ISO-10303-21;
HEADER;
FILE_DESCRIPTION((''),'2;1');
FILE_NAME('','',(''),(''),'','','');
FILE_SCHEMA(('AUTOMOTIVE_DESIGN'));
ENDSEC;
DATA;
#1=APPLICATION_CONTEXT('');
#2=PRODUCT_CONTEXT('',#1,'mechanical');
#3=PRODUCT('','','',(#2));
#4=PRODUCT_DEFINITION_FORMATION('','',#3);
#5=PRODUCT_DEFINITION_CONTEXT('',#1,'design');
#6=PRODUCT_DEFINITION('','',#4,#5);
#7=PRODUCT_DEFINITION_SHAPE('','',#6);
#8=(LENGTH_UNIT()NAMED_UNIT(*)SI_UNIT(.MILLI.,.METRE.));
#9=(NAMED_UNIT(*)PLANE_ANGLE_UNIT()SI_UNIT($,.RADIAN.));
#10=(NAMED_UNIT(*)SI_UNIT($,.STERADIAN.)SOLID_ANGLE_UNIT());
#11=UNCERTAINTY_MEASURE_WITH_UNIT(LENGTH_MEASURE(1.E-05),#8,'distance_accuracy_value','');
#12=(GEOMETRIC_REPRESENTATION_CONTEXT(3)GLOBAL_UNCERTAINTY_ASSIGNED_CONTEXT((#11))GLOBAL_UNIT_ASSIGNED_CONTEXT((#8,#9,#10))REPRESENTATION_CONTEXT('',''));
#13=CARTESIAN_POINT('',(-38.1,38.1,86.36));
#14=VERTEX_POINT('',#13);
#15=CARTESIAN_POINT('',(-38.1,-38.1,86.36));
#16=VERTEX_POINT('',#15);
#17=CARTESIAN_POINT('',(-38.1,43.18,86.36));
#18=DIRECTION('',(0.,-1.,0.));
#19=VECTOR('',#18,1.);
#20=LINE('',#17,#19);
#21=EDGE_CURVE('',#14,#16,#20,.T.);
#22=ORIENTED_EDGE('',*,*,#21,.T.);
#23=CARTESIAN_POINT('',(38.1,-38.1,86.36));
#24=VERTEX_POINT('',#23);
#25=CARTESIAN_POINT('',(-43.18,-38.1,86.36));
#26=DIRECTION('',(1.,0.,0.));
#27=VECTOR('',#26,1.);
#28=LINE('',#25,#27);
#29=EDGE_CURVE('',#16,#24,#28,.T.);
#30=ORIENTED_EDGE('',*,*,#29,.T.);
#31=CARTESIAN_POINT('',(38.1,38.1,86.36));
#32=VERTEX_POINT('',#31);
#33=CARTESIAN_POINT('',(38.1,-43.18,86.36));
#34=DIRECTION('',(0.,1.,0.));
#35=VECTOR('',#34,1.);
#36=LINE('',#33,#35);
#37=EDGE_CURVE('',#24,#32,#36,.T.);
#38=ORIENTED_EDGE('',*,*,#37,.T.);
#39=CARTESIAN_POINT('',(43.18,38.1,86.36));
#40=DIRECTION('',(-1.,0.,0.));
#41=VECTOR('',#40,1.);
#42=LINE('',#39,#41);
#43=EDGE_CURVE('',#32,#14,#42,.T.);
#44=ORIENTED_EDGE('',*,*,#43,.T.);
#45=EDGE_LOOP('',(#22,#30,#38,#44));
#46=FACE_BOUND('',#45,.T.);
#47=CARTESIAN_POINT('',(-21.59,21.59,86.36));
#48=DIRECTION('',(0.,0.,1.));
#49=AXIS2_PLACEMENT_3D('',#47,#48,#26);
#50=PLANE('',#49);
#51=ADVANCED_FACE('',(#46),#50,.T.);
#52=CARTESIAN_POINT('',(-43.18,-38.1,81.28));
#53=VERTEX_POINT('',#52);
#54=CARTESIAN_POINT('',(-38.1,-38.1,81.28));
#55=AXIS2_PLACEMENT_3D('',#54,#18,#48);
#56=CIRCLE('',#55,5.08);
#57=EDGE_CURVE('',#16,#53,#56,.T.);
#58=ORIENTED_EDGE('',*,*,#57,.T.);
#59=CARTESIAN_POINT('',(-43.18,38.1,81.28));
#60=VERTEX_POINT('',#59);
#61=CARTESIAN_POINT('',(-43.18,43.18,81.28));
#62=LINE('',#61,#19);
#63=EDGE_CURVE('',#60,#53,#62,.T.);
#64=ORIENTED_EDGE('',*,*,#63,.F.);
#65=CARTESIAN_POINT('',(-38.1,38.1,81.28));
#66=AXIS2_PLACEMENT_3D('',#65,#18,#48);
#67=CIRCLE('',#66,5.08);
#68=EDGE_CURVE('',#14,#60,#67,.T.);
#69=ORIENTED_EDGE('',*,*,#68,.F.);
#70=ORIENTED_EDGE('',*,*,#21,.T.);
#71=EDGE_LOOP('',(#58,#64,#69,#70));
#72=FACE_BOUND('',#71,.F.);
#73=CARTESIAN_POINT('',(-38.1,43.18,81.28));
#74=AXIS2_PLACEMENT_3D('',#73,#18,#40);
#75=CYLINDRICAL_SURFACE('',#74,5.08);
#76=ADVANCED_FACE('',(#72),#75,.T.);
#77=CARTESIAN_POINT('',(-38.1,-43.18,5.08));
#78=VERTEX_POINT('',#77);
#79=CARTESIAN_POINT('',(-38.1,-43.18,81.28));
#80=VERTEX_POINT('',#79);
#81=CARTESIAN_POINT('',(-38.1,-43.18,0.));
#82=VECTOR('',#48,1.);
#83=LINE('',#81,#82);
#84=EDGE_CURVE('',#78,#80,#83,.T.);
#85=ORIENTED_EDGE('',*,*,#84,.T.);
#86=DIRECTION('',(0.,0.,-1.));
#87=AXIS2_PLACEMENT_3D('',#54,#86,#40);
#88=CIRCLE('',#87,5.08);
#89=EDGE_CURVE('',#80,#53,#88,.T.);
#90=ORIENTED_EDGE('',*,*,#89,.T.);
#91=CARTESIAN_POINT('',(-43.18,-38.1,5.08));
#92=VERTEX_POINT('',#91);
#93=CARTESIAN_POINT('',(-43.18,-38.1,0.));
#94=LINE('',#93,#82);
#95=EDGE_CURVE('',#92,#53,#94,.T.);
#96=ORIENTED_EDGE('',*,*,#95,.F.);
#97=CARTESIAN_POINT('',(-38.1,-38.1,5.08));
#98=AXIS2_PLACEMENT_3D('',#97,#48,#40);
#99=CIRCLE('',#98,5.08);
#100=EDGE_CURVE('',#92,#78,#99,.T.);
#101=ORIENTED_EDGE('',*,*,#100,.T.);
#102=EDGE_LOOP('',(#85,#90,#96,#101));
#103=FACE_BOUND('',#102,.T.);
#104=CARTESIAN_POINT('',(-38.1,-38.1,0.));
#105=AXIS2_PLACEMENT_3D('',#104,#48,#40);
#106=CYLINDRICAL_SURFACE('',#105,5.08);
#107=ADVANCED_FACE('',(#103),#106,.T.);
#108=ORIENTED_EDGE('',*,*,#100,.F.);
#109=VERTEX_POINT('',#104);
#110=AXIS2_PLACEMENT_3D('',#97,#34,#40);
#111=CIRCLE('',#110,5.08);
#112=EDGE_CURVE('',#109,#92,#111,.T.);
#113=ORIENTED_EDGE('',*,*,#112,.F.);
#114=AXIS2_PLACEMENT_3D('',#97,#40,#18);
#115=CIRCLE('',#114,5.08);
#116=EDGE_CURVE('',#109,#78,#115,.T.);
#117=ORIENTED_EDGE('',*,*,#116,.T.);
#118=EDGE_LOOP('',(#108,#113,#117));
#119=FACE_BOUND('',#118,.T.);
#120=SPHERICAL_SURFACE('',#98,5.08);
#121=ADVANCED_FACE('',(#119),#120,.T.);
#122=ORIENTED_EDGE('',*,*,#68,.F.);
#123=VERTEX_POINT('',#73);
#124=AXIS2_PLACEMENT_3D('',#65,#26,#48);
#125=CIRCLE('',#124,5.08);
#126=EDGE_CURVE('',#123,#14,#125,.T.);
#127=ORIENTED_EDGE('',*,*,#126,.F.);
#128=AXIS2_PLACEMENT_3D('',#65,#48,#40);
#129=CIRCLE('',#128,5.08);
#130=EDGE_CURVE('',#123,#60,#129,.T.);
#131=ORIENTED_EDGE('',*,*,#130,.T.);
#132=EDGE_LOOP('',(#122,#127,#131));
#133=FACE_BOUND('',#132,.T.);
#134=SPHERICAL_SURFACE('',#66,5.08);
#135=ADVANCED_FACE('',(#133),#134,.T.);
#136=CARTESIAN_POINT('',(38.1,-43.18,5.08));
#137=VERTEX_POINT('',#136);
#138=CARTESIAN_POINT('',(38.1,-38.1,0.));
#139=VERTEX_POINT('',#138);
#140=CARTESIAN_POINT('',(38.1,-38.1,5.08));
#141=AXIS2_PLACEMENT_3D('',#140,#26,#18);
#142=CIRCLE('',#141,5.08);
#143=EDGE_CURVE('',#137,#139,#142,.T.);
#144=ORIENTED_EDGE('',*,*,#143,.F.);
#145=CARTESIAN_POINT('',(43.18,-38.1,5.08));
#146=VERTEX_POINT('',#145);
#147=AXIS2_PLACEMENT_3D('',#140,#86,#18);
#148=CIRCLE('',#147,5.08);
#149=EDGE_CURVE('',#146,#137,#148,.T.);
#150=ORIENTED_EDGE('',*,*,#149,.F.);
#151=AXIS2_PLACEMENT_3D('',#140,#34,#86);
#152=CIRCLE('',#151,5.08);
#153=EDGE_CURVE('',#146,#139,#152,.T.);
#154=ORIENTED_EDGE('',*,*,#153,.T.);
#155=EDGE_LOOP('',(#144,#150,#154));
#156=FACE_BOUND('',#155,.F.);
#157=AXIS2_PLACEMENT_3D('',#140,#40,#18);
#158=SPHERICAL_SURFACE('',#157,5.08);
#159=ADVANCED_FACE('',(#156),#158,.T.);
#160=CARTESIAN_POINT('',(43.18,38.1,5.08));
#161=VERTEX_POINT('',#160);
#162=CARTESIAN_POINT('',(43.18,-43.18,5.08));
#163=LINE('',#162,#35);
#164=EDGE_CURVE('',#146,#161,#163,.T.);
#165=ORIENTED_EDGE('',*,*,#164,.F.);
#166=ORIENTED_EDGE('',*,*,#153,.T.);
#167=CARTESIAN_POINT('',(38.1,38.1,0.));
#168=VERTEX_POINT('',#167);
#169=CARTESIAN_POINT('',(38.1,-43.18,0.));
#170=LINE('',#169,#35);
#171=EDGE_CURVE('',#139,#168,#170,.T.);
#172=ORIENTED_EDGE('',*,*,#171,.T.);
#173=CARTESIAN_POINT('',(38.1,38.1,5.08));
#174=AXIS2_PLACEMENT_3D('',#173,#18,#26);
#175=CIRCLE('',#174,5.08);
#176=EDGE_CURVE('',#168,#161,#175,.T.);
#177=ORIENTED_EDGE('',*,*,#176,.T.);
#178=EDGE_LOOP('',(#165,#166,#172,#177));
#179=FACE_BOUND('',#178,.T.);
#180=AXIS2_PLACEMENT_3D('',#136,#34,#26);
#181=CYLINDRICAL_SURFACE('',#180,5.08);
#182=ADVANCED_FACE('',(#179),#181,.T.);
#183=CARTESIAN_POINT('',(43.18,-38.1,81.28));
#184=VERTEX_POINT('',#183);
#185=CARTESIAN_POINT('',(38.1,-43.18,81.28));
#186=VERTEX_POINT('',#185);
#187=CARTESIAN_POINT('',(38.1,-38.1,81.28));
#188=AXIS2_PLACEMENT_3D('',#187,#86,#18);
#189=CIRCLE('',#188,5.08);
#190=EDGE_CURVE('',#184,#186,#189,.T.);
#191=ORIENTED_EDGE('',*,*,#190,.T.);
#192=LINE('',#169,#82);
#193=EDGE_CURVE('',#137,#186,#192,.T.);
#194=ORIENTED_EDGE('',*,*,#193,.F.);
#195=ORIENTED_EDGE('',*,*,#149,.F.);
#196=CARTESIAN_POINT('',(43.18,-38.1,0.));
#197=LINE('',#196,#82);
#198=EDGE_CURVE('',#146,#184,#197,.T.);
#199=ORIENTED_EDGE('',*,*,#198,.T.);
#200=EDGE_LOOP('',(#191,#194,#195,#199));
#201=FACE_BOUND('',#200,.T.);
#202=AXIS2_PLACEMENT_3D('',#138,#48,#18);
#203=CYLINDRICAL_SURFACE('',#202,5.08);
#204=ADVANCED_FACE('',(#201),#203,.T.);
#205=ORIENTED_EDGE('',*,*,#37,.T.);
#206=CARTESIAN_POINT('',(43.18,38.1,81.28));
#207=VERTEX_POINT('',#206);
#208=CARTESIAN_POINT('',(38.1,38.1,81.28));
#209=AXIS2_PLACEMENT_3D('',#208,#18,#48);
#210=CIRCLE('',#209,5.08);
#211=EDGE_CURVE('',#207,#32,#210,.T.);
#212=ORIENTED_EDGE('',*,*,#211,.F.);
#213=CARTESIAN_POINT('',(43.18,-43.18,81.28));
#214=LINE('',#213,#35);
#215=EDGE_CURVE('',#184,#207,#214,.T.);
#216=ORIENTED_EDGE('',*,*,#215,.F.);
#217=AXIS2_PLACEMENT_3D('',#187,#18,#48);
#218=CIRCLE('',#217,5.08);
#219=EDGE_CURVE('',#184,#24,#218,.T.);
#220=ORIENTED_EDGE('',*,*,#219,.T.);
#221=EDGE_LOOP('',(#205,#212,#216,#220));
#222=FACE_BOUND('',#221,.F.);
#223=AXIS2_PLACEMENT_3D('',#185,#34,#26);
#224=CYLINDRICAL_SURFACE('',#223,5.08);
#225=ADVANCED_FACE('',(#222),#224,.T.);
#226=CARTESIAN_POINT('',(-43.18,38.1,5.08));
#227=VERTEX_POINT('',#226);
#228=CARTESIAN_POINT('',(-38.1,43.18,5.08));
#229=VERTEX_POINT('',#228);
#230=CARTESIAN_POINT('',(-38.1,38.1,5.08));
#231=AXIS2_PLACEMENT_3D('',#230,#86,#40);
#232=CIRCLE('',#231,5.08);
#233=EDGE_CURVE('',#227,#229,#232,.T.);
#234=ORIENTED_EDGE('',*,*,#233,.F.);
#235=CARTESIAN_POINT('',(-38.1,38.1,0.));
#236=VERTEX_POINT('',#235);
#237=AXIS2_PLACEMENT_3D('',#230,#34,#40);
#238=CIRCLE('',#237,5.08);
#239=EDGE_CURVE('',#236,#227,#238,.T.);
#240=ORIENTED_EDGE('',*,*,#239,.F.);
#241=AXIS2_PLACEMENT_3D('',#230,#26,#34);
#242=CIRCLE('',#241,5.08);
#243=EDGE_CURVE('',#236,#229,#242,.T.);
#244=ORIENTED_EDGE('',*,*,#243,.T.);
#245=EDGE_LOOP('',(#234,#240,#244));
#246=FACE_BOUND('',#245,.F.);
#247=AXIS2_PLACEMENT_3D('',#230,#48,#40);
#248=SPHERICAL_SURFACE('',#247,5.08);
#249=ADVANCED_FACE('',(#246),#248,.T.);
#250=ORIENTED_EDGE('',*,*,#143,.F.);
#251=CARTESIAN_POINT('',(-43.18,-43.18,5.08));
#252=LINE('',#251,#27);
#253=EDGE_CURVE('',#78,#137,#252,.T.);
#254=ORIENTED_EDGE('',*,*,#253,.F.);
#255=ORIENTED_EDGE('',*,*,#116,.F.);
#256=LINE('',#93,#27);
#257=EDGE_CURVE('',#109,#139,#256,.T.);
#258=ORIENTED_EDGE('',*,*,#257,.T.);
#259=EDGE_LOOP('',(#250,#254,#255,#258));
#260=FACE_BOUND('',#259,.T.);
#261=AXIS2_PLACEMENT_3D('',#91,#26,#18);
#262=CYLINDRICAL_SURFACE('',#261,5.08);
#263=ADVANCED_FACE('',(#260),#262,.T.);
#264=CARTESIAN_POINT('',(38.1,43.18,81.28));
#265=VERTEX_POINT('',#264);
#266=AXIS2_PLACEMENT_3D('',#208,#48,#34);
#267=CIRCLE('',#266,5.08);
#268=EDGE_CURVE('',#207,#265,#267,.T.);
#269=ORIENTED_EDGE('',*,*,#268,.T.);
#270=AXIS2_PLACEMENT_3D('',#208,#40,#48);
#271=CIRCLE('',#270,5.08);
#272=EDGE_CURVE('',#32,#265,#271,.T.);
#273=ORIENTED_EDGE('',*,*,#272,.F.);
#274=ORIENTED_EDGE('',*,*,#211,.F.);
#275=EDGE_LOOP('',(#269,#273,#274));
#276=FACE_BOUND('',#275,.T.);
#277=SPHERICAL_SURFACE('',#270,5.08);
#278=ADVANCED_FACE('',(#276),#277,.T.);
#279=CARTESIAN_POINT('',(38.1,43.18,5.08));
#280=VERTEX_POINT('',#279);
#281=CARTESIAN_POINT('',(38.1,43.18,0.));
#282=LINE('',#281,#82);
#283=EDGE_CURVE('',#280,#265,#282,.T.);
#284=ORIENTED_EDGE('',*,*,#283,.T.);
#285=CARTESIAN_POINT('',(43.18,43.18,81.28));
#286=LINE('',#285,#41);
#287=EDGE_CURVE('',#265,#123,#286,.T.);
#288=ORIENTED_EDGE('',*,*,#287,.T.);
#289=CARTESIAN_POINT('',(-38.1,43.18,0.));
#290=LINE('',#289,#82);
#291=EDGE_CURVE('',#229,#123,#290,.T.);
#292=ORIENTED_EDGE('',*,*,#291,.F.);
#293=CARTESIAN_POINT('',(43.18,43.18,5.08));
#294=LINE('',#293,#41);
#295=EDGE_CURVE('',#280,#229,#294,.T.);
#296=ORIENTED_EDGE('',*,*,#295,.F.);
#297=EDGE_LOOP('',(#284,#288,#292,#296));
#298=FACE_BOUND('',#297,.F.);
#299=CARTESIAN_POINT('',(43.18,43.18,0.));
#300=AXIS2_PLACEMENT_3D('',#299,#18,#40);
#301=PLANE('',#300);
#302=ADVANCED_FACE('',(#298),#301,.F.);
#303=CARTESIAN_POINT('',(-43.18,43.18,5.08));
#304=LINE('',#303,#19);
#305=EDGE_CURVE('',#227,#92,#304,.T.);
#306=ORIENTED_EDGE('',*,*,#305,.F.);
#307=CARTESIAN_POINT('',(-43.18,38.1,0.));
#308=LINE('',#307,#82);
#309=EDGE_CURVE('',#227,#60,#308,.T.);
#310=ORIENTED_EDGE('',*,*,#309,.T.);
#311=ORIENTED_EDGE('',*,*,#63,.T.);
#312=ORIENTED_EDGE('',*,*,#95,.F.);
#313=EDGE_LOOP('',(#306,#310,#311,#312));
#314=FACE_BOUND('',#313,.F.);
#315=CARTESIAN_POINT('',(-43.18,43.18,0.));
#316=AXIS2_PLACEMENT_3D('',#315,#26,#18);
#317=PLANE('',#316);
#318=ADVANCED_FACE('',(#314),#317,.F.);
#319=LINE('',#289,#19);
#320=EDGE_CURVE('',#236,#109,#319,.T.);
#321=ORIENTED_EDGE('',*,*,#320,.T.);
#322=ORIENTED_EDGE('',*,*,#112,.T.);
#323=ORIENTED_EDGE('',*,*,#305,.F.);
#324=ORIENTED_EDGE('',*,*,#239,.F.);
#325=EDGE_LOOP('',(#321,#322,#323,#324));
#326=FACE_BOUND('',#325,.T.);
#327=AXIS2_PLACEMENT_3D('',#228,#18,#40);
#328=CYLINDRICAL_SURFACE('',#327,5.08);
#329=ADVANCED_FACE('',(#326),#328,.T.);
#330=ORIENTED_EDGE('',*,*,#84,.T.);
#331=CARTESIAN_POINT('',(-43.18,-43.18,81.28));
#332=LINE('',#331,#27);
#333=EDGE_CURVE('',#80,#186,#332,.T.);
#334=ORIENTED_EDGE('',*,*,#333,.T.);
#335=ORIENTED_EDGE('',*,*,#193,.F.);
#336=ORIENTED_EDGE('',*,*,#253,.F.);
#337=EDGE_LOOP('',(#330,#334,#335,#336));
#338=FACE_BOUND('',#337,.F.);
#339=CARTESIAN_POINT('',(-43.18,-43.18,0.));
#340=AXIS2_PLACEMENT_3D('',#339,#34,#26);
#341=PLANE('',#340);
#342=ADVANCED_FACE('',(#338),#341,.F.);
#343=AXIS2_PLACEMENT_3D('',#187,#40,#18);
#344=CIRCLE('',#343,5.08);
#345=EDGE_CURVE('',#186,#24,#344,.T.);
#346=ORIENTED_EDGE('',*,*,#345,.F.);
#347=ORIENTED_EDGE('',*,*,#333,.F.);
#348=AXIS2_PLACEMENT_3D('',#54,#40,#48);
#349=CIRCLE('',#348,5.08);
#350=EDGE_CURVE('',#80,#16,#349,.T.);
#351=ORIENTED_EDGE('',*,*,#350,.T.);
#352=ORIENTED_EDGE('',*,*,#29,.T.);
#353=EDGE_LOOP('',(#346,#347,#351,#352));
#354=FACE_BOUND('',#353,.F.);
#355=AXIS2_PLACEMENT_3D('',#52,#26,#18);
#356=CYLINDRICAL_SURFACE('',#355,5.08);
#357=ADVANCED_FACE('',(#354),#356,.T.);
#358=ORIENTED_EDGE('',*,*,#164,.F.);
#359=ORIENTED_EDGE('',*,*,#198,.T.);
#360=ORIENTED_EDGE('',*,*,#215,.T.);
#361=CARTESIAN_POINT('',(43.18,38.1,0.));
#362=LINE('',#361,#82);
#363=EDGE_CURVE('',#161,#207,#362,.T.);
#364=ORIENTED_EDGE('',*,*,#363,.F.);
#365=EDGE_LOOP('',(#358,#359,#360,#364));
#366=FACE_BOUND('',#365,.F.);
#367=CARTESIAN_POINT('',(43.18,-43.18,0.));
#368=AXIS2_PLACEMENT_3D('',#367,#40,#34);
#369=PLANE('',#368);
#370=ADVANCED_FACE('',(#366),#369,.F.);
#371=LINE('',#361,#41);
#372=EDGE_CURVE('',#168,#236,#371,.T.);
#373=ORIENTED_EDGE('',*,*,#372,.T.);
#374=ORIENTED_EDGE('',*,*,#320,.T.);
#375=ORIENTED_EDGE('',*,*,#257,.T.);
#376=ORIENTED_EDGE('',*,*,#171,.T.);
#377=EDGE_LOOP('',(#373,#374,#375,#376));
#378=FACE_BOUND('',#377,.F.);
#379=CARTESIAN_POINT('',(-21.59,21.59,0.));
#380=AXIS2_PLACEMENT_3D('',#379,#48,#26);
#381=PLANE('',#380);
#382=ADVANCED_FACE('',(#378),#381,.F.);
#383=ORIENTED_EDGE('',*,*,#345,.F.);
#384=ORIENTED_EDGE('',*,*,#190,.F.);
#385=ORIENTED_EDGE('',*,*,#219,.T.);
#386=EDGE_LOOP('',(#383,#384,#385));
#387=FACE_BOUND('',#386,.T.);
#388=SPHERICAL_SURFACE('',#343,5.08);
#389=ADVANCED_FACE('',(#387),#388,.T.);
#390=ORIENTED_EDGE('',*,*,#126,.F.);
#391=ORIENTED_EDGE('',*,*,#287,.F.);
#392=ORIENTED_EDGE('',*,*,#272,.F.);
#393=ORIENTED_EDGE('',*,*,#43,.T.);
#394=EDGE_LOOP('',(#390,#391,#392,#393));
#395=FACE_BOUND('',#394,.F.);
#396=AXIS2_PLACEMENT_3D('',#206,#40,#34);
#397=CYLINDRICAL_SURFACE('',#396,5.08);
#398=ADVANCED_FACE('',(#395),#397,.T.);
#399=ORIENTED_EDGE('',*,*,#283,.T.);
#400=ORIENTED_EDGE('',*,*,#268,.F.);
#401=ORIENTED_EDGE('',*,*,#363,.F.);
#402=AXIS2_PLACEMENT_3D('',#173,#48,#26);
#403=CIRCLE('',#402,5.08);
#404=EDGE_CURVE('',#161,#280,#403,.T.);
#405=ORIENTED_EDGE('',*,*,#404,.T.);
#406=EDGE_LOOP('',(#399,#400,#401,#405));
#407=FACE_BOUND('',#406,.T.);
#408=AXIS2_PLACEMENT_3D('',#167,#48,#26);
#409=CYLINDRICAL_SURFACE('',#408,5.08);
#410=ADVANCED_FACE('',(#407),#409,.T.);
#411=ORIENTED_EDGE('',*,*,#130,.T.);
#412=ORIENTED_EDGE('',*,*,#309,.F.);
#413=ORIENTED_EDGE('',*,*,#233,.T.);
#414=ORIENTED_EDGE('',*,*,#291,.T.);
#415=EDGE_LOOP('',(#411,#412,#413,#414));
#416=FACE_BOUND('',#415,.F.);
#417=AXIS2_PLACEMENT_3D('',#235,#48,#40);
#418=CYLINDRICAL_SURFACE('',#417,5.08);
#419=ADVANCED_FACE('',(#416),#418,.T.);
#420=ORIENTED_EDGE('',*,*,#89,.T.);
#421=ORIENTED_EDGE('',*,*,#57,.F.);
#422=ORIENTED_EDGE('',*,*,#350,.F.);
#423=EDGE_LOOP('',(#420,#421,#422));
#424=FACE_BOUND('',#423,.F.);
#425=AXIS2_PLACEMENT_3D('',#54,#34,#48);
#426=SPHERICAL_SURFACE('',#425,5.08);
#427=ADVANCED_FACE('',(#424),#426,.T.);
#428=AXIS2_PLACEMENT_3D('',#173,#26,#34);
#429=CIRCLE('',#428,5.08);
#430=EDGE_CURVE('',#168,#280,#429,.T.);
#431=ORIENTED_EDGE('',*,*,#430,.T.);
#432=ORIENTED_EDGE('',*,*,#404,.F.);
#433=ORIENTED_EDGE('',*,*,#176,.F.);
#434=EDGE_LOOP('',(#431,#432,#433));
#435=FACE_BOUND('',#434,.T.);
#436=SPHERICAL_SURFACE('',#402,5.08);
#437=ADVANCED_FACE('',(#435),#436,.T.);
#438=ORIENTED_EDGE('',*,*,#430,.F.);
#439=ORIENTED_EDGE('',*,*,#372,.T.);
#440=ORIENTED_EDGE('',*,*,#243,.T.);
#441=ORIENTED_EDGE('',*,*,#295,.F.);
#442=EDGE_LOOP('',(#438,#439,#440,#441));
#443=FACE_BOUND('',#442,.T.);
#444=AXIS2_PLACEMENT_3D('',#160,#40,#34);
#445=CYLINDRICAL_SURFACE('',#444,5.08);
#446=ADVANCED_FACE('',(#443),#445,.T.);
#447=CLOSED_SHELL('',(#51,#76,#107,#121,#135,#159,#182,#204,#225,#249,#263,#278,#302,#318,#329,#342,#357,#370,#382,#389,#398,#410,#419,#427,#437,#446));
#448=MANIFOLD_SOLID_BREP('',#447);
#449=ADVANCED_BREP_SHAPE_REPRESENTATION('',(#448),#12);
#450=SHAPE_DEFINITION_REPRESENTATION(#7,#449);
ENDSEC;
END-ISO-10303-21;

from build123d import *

# Parameters (mm, degrees)
F0_W     = 43.18
F0_H     = 43.18
F1_DEPTH = 86.36
F2_R     = 5.08


with BuildPart() as f1:
    # F0 (on Top) → F1 (new body)
    with BuildSketch(Plane.XY):
        with Locations((-21.59, 21.59)):
            Rectangle(F0_W, F0_H)
        with Locations((21.59, -21.59)):
            Rectangle(F0_W, F0_H)
        with Locations((21.59, 21.59)):
            Rectangle(F0_W, F0_H)
        with Locations((-21.59, -21.59)):
            Rectangle(F0_W, F0_H)
    extrude(amount=F1_DEPTH)

    # F2
    f2_edges = [f1.edges().sort_by_distance(p)[0] for p in [
        (-43.18, 0, 86.36),
        (0, 43.18, 86.36),
        (-43.18, 43.18, 43.18),
        (0, -43.18, 86.36),
        (-43.18, -43.18, 43.18),
        (-43.18, 0, 0),
        (0, -43.18, 0),
        (43.18, -43.18, 43.18),
        (43.18, 0, 86.36),
        (43.18, 43.18, 43.18),
        (43.18, 0, 0),
        (0, 43.18, 0),
    ]]
    fillet(f2_edges, radius=F2_R)


solid = f1.part
